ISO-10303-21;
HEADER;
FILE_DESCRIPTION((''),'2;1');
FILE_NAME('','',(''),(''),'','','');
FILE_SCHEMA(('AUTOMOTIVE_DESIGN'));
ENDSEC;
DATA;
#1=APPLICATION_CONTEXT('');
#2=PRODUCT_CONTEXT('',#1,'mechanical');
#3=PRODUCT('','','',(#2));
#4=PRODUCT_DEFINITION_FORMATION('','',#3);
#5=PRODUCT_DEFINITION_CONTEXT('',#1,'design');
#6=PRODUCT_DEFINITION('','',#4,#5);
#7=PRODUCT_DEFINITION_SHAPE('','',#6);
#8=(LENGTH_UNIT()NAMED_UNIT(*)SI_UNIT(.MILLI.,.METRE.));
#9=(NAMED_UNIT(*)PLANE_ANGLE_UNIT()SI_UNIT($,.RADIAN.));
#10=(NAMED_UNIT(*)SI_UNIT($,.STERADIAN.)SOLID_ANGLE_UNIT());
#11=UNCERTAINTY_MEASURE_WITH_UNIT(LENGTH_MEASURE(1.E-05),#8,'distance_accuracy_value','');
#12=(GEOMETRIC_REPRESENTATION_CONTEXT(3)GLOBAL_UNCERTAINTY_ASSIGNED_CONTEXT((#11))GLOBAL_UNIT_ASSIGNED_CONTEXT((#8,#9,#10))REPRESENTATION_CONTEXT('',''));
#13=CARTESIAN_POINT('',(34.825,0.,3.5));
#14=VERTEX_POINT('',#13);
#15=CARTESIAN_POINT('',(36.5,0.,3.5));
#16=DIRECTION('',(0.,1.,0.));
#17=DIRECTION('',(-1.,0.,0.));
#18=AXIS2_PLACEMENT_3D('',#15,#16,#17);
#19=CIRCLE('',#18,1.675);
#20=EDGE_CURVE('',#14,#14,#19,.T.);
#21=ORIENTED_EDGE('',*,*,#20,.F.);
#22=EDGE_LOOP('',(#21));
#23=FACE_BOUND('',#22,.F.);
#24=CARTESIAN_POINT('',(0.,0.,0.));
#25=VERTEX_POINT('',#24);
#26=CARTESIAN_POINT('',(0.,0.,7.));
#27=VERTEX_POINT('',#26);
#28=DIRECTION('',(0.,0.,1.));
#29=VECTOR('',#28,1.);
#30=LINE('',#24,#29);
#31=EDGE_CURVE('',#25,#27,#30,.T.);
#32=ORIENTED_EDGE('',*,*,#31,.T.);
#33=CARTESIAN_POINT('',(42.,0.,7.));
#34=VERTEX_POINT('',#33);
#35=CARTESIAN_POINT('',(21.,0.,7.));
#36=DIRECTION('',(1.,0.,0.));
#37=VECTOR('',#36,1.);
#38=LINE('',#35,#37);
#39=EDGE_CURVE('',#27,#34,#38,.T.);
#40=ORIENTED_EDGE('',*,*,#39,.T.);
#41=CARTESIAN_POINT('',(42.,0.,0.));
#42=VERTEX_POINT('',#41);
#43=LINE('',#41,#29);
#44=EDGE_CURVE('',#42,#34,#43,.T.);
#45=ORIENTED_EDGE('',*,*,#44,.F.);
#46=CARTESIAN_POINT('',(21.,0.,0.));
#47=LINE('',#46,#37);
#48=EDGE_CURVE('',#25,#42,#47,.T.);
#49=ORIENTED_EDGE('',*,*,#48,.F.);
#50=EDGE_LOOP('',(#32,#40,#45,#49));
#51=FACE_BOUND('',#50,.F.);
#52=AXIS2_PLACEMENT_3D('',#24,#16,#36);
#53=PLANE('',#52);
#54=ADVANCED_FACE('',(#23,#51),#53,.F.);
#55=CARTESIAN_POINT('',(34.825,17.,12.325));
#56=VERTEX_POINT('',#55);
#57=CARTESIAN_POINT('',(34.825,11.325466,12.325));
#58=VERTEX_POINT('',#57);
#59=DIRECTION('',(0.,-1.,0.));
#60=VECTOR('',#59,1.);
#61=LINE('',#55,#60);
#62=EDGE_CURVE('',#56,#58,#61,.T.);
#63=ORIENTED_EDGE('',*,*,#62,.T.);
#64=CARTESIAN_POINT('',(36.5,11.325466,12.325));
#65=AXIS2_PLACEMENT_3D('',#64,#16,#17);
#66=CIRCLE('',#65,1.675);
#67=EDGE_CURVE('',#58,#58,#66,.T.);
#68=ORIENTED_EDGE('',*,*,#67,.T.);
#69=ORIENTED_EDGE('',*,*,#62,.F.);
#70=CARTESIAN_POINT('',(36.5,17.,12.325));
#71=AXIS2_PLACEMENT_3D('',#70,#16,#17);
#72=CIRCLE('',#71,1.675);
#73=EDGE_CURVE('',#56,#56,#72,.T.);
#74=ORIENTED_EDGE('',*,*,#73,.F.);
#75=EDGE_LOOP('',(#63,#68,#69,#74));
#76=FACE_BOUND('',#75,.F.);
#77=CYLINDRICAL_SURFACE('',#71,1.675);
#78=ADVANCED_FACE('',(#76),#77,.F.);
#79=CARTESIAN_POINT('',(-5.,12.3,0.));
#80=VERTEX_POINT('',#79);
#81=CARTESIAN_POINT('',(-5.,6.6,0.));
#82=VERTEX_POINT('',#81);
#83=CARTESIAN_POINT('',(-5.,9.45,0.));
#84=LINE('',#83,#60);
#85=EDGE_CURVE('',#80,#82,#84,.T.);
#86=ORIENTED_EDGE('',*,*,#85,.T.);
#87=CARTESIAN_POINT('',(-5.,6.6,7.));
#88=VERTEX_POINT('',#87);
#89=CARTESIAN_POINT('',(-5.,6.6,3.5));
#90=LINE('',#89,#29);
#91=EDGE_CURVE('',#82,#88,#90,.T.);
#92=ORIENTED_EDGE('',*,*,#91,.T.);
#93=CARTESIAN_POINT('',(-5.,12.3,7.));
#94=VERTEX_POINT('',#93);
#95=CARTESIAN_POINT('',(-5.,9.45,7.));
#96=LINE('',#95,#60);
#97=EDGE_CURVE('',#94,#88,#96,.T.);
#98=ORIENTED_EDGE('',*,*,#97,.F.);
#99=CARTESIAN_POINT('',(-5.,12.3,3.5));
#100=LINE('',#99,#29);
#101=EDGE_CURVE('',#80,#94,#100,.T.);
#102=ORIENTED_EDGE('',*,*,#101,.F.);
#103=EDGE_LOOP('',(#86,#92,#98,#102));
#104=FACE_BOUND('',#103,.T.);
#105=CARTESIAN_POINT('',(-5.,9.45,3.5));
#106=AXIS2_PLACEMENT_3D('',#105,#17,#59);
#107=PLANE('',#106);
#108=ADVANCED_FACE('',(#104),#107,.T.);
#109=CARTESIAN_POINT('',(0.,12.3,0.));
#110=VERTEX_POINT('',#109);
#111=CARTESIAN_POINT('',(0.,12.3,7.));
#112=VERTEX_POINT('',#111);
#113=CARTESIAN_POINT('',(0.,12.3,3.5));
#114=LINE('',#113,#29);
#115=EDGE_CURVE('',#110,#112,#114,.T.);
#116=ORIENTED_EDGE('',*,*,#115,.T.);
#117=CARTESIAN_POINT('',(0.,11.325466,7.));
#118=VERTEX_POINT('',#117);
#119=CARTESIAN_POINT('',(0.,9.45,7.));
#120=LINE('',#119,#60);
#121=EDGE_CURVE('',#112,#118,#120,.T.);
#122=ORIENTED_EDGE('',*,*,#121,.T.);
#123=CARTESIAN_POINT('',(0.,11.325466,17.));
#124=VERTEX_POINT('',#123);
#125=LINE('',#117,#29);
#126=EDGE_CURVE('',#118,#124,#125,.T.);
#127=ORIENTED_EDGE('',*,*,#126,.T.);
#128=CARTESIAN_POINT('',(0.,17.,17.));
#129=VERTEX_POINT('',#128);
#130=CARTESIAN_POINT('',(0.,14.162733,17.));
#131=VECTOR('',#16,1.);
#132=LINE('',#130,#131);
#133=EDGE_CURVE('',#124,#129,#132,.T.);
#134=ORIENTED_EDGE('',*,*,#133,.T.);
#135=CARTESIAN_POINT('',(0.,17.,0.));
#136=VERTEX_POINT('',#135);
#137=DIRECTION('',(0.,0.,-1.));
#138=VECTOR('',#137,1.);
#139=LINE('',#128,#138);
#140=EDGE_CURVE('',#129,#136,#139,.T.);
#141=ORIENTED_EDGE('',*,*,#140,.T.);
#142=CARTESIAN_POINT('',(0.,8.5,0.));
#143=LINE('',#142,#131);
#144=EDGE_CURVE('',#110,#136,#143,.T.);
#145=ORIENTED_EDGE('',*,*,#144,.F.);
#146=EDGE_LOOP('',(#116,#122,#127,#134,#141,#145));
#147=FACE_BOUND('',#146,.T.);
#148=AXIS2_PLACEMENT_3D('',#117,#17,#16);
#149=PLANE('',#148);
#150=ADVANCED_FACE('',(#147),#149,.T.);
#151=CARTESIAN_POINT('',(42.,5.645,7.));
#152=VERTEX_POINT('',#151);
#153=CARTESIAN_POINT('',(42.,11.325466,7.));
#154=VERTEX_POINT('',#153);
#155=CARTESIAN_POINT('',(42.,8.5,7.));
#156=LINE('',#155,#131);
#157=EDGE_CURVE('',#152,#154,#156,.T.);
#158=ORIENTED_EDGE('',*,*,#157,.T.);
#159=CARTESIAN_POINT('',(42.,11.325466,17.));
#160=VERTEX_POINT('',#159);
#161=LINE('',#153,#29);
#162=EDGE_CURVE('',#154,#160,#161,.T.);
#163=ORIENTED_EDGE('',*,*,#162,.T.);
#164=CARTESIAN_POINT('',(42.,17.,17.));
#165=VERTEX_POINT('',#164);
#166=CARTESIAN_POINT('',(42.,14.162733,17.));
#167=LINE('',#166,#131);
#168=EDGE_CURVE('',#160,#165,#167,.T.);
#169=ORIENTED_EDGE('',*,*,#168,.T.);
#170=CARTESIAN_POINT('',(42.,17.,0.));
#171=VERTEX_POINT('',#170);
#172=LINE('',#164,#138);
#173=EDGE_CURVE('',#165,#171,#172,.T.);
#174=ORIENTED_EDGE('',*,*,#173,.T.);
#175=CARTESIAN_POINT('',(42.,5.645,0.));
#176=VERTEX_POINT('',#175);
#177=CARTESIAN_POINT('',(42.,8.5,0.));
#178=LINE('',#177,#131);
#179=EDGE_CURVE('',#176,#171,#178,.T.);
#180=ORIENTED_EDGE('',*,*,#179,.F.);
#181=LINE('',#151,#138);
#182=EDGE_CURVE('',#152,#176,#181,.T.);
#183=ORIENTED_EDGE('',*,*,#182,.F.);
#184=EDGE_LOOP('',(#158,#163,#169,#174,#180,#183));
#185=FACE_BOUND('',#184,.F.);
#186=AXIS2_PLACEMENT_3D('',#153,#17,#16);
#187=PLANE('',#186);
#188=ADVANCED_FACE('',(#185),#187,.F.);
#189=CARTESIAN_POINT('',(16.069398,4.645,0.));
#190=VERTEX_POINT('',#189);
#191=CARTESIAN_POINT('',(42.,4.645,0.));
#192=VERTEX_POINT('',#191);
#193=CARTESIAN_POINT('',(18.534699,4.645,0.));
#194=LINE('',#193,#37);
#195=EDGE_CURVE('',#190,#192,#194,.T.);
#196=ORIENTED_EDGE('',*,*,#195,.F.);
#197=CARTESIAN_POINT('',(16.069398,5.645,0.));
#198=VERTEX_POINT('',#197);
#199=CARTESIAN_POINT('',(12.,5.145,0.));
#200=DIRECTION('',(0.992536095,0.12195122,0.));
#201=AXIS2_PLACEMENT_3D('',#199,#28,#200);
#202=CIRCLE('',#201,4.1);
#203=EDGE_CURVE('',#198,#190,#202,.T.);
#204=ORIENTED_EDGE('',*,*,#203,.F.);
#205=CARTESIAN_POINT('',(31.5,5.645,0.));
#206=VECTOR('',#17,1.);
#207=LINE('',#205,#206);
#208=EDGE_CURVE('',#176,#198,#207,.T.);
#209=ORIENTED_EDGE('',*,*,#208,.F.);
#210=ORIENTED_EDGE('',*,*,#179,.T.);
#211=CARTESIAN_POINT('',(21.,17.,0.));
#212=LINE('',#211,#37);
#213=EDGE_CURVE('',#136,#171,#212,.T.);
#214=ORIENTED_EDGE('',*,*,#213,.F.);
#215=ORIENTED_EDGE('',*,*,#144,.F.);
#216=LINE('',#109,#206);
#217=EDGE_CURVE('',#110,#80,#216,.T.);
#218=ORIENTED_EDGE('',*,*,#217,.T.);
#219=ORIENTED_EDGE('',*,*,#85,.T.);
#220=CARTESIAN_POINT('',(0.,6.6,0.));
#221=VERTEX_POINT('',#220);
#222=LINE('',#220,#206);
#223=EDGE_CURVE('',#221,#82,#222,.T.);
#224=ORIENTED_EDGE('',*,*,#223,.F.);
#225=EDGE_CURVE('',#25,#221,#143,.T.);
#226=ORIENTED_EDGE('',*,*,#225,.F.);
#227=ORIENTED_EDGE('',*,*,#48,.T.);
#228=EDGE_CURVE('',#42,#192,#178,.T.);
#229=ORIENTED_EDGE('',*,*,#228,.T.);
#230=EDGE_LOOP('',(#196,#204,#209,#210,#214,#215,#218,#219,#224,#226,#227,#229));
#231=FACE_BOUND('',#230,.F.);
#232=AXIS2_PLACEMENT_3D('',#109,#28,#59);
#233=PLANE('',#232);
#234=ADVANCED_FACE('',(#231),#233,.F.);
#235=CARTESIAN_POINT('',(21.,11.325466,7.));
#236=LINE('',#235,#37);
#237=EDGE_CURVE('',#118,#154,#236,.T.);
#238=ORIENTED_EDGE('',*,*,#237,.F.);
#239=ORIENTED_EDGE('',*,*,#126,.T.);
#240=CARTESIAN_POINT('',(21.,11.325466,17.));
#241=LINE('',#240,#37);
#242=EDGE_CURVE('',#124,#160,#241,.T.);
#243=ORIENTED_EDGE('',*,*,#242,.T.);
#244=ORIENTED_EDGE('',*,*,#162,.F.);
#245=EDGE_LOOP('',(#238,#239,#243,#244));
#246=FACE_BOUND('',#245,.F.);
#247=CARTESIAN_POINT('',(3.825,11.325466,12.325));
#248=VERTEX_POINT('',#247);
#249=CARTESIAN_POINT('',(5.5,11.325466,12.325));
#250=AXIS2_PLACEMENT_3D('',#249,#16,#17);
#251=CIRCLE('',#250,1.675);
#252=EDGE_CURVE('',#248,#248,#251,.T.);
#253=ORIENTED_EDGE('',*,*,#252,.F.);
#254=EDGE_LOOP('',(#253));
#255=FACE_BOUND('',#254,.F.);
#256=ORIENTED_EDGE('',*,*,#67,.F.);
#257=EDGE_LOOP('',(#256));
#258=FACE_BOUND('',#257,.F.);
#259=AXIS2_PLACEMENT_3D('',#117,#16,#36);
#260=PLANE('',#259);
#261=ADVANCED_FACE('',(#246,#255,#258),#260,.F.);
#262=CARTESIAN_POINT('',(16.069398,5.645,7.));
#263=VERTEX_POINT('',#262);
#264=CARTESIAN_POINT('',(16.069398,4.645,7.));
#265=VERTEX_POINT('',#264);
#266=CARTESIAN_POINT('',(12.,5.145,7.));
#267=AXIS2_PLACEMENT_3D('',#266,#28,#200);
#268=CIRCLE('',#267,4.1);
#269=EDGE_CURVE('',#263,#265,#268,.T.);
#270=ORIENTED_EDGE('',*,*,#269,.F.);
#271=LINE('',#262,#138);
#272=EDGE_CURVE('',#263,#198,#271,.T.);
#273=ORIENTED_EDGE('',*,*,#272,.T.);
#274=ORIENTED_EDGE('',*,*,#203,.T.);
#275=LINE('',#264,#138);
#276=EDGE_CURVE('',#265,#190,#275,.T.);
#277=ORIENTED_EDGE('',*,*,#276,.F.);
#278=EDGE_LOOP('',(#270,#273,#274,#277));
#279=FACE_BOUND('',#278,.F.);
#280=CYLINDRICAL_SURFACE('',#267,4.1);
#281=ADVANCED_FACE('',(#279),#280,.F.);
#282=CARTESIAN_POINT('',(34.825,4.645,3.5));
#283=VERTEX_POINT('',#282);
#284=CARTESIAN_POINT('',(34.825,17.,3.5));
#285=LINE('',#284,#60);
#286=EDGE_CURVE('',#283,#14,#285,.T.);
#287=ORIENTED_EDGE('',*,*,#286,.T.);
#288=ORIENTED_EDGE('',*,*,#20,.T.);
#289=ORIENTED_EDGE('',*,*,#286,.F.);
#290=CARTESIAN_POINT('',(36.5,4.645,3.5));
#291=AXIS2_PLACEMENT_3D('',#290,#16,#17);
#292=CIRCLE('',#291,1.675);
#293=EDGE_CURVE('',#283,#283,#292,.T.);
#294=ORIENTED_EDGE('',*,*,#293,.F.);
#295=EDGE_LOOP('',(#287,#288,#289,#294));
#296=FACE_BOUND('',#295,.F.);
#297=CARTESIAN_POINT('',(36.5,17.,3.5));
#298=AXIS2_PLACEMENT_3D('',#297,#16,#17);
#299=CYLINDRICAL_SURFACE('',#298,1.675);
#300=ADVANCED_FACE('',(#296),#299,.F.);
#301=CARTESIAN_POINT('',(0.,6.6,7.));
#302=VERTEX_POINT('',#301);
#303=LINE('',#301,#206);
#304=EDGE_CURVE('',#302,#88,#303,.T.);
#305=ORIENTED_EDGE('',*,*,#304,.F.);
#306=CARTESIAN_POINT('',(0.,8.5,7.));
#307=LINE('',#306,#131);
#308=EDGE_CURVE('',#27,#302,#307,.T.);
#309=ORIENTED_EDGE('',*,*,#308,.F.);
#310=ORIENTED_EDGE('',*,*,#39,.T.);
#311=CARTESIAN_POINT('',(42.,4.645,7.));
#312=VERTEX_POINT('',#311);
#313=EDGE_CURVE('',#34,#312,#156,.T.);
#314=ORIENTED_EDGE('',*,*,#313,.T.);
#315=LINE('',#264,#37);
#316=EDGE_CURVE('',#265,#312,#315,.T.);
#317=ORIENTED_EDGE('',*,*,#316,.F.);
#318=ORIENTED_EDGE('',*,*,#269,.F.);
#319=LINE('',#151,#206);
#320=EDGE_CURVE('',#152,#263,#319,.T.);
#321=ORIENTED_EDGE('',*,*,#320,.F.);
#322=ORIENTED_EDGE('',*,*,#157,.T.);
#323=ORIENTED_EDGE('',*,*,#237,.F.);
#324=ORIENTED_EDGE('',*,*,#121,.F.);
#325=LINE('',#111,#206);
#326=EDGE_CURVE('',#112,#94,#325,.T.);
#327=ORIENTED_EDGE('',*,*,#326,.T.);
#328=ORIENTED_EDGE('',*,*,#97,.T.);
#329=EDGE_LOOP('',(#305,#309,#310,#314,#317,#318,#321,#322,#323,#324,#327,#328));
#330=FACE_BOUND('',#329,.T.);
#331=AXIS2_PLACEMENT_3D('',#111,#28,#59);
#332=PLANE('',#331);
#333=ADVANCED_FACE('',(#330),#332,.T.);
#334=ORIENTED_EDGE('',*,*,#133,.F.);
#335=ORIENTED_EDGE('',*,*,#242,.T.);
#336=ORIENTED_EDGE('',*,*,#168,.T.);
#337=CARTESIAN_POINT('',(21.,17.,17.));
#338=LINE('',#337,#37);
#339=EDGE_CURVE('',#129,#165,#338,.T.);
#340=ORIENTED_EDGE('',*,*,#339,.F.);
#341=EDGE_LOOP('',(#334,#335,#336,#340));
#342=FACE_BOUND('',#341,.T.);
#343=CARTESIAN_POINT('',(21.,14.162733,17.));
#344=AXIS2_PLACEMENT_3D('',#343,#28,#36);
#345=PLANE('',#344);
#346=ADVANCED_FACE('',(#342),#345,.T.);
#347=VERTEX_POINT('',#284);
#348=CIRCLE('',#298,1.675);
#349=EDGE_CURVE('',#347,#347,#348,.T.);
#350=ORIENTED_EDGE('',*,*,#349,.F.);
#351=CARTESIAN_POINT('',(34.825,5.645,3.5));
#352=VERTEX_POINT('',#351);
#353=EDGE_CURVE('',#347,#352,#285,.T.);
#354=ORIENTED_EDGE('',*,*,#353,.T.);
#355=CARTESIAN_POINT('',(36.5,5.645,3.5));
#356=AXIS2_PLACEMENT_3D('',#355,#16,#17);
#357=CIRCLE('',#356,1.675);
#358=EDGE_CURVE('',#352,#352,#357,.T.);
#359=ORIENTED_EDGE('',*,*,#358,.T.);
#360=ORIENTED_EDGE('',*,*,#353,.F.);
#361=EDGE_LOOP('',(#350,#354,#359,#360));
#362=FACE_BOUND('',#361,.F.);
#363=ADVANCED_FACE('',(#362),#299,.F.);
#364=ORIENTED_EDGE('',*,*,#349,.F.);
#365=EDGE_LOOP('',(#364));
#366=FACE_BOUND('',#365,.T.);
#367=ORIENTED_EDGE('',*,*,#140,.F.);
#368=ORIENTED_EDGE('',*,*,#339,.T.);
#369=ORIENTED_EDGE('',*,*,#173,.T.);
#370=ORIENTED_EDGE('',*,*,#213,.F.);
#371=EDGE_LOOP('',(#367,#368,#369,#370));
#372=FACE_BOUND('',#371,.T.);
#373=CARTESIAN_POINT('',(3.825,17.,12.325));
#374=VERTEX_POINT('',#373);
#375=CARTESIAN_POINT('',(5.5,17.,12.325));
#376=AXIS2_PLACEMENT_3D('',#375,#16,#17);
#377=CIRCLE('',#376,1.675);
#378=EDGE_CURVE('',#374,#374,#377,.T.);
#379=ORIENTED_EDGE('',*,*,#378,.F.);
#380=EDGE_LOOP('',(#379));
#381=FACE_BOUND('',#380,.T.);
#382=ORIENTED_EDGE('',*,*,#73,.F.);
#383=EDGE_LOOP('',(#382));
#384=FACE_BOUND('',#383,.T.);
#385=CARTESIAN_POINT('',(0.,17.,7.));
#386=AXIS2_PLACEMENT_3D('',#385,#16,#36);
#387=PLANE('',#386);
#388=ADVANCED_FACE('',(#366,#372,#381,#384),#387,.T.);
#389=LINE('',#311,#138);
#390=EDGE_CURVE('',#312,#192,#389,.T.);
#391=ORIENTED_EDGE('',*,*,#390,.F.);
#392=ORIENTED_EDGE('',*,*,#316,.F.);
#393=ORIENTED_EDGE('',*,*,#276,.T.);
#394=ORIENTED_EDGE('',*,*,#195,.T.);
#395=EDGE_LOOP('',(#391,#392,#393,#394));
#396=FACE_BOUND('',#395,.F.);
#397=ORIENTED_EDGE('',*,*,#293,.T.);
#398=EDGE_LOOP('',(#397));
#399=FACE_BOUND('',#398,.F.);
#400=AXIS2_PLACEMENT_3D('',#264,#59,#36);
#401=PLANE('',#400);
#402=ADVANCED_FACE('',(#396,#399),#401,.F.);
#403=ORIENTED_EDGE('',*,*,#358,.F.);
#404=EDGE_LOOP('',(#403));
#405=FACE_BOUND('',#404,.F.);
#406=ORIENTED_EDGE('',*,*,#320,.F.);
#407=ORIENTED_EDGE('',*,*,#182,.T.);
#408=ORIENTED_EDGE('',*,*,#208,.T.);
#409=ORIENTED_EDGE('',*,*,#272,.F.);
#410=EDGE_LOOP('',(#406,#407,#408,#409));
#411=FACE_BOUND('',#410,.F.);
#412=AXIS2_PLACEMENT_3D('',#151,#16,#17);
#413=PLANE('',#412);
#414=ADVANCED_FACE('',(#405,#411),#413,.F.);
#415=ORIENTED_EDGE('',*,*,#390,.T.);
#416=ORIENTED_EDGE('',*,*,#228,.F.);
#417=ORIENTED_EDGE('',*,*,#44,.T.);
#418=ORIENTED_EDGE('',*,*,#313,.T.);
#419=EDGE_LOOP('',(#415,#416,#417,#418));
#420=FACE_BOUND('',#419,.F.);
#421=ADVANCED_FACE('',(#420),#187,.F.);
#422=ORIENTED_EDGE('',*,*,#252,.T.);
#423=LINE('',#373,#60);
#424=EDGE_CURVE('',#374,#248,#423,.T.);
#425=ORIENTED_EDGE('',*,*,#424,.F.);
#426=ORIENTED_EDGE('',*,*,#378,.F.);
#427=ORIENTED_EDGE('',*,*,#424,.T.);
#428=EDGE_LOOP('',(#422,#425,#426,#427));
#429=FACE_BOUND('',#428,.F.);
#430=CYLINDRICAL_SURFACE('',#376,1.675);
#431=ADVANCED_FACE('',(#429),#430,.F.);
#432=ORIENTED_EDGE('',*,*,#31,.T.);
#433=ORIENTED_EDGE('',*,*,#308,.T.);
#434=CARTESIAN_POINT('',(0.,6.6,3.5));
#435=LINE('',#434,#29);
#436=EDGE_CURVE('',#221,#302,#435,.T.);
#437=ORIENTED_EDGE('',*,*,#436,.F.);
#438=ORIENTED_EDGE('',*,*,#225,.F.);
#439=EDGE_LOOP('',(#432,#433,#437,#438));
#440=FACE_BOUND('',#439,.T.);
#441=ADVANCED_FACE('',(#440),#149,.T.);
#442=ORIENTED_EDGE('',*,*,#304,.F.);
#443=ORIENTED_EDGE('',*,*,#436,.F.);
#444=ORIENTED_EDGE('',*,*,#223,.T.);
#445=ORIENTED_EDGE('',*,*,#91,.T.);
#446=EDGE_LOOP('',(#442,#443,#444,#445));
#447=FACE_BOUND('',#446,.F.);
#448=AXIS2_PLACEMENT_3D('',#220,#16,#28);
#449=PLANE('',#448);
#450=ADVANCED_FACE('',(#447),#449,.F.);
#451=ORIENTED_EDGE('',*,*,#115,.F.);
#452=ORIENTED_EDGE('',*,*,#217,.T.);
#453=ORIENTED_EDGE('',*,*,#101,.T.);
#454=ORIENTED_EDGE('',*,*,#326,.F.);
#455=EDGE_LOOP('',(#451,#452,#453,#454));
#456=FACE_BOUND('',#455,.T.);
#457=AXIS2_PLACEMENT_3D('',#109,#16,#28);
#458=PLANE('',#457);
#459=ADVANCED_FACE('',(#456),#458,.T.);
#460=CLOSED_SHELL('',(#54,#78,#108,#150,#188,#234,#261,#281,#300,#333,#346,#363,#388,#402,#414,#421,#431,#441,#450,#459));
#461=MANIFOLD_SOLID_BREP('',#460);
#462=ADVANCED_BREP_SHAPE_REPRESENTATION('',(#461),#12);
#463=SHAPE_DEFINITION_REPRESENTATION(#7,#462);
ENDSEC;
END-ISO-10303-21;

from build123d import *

# Parameters (mm, degrees)
F0_W      = 42
F0_H      = 17
F1_DEPTH  = 7
F4_DEPTH  = 25
F5_W      = 42
F5_H      = 5.6745335534
F6_DEPTH  = 10
F7_R      = 1.675
F8_DEPTH  = 25
F9_DEPTH  = 25
F11_W     = 5.7
F11_H     = 7
F12_DEPTH = 5


with BuildPart() as f1:
    # F0 (on Top) → F1 (new body)
    with BuildSketch(Plane.XY):
        with Locations((21, 8.5)):
            Rectangle(F0_W, F0_H)
    extrude(amount=F1_DEPTH)

    # F3 (on face) → F4 (cut)
    with BuildSketch(Plane(origin=(0, 17, 0), x_dir=(-1, 0, 0), z_dir=(0, 1, 0))):
        with BuildLine():
            ThreePointArc((-38.175, 3.5), (-36.5, 1.825), (-34.825, 3.5))
            ThreePointArc((-34.825, 3.5), (-36.5, 5.175), (-38.175, 3.5))
        make_face()
    extrude(amount=-F4_DEPTH, mode=Mode.SUBTRACT)

    # F5 (on face) → F6 (join)
    with BuildSketch(Plane.XY.offset(7)):
        with Locations((21, 14.1627332233)):
            Rectangle(F5_W, F5_H)
    extrude(amount=F6_DEPTH)

    # F7 (on face) → F8 (cut)
    with BuildSketch(Plane(origin=(0, 17, 0), x_dir=(-1, 0, 0), z_dir=(0, 1, 0))):
        with Locations((-36.5, 12.325)):
            Circle(F7_R)
        with Locations((-5.5, 12.325)):
            Circle(F7_R)
    extrude(amount=-F8_DEPTH, mode=Mode.SUBTRACT)

    # F2 (on face) → F9 (cut)
    with BuildSketch(Plane.XY.offset(7)):
        with BuildLine():
            ThreePointArc((16.0693979899, 4.645), (16.0923423463, 4.8945321962), (16.1, 5.145))
            ThreePointArc((16.1, 5.145), (16.0923423463, 5.3954678038), (16.0693979899, 5.645))
            ThreePointArc((16.0693979899, 5.645), (7.9, 5.145), (16.0693979899, 4.645))
        make_face()
        with BuildLine():
            Line((42, 5.145), (16.1, 5.145))
            ThreePointArc((16.1, 5.145), (16.0923423463, 4.8945321962), (16.0693979899, 4.645))
            Line((16.0693979899, 4.645), (42, 4.645))
            Line((42, 4.645), (42, 5.145))
        make_face()
        with BuildLine():
            ThreePointArc((16.0693979899, 5.645), (16.0923423463, 5.3954678038), (16.1, 5.145))
            Line((16.1, 5.145), (42, 5.145))
            Line((42, 5.145), (42, 5.645))
            Line((42, 5.645), (16.0693979899, 5.645))
        make_face()
    extrude(amount=-F9_DEPTH, mode=Mode.SUBTRACT)

    # F11 (on face) → F12 (join)
    with BuildSketch(Plane(origin=(0, 0, 0), x_dir=(0, -1, 0), z_dir=(-1, 0, 0))):
        with Locations((-9.45, 3.5)):
            Rectangle(F11_W, F11_H)
    extrude(amount=F12_DEPTH)


solid = f1.part
